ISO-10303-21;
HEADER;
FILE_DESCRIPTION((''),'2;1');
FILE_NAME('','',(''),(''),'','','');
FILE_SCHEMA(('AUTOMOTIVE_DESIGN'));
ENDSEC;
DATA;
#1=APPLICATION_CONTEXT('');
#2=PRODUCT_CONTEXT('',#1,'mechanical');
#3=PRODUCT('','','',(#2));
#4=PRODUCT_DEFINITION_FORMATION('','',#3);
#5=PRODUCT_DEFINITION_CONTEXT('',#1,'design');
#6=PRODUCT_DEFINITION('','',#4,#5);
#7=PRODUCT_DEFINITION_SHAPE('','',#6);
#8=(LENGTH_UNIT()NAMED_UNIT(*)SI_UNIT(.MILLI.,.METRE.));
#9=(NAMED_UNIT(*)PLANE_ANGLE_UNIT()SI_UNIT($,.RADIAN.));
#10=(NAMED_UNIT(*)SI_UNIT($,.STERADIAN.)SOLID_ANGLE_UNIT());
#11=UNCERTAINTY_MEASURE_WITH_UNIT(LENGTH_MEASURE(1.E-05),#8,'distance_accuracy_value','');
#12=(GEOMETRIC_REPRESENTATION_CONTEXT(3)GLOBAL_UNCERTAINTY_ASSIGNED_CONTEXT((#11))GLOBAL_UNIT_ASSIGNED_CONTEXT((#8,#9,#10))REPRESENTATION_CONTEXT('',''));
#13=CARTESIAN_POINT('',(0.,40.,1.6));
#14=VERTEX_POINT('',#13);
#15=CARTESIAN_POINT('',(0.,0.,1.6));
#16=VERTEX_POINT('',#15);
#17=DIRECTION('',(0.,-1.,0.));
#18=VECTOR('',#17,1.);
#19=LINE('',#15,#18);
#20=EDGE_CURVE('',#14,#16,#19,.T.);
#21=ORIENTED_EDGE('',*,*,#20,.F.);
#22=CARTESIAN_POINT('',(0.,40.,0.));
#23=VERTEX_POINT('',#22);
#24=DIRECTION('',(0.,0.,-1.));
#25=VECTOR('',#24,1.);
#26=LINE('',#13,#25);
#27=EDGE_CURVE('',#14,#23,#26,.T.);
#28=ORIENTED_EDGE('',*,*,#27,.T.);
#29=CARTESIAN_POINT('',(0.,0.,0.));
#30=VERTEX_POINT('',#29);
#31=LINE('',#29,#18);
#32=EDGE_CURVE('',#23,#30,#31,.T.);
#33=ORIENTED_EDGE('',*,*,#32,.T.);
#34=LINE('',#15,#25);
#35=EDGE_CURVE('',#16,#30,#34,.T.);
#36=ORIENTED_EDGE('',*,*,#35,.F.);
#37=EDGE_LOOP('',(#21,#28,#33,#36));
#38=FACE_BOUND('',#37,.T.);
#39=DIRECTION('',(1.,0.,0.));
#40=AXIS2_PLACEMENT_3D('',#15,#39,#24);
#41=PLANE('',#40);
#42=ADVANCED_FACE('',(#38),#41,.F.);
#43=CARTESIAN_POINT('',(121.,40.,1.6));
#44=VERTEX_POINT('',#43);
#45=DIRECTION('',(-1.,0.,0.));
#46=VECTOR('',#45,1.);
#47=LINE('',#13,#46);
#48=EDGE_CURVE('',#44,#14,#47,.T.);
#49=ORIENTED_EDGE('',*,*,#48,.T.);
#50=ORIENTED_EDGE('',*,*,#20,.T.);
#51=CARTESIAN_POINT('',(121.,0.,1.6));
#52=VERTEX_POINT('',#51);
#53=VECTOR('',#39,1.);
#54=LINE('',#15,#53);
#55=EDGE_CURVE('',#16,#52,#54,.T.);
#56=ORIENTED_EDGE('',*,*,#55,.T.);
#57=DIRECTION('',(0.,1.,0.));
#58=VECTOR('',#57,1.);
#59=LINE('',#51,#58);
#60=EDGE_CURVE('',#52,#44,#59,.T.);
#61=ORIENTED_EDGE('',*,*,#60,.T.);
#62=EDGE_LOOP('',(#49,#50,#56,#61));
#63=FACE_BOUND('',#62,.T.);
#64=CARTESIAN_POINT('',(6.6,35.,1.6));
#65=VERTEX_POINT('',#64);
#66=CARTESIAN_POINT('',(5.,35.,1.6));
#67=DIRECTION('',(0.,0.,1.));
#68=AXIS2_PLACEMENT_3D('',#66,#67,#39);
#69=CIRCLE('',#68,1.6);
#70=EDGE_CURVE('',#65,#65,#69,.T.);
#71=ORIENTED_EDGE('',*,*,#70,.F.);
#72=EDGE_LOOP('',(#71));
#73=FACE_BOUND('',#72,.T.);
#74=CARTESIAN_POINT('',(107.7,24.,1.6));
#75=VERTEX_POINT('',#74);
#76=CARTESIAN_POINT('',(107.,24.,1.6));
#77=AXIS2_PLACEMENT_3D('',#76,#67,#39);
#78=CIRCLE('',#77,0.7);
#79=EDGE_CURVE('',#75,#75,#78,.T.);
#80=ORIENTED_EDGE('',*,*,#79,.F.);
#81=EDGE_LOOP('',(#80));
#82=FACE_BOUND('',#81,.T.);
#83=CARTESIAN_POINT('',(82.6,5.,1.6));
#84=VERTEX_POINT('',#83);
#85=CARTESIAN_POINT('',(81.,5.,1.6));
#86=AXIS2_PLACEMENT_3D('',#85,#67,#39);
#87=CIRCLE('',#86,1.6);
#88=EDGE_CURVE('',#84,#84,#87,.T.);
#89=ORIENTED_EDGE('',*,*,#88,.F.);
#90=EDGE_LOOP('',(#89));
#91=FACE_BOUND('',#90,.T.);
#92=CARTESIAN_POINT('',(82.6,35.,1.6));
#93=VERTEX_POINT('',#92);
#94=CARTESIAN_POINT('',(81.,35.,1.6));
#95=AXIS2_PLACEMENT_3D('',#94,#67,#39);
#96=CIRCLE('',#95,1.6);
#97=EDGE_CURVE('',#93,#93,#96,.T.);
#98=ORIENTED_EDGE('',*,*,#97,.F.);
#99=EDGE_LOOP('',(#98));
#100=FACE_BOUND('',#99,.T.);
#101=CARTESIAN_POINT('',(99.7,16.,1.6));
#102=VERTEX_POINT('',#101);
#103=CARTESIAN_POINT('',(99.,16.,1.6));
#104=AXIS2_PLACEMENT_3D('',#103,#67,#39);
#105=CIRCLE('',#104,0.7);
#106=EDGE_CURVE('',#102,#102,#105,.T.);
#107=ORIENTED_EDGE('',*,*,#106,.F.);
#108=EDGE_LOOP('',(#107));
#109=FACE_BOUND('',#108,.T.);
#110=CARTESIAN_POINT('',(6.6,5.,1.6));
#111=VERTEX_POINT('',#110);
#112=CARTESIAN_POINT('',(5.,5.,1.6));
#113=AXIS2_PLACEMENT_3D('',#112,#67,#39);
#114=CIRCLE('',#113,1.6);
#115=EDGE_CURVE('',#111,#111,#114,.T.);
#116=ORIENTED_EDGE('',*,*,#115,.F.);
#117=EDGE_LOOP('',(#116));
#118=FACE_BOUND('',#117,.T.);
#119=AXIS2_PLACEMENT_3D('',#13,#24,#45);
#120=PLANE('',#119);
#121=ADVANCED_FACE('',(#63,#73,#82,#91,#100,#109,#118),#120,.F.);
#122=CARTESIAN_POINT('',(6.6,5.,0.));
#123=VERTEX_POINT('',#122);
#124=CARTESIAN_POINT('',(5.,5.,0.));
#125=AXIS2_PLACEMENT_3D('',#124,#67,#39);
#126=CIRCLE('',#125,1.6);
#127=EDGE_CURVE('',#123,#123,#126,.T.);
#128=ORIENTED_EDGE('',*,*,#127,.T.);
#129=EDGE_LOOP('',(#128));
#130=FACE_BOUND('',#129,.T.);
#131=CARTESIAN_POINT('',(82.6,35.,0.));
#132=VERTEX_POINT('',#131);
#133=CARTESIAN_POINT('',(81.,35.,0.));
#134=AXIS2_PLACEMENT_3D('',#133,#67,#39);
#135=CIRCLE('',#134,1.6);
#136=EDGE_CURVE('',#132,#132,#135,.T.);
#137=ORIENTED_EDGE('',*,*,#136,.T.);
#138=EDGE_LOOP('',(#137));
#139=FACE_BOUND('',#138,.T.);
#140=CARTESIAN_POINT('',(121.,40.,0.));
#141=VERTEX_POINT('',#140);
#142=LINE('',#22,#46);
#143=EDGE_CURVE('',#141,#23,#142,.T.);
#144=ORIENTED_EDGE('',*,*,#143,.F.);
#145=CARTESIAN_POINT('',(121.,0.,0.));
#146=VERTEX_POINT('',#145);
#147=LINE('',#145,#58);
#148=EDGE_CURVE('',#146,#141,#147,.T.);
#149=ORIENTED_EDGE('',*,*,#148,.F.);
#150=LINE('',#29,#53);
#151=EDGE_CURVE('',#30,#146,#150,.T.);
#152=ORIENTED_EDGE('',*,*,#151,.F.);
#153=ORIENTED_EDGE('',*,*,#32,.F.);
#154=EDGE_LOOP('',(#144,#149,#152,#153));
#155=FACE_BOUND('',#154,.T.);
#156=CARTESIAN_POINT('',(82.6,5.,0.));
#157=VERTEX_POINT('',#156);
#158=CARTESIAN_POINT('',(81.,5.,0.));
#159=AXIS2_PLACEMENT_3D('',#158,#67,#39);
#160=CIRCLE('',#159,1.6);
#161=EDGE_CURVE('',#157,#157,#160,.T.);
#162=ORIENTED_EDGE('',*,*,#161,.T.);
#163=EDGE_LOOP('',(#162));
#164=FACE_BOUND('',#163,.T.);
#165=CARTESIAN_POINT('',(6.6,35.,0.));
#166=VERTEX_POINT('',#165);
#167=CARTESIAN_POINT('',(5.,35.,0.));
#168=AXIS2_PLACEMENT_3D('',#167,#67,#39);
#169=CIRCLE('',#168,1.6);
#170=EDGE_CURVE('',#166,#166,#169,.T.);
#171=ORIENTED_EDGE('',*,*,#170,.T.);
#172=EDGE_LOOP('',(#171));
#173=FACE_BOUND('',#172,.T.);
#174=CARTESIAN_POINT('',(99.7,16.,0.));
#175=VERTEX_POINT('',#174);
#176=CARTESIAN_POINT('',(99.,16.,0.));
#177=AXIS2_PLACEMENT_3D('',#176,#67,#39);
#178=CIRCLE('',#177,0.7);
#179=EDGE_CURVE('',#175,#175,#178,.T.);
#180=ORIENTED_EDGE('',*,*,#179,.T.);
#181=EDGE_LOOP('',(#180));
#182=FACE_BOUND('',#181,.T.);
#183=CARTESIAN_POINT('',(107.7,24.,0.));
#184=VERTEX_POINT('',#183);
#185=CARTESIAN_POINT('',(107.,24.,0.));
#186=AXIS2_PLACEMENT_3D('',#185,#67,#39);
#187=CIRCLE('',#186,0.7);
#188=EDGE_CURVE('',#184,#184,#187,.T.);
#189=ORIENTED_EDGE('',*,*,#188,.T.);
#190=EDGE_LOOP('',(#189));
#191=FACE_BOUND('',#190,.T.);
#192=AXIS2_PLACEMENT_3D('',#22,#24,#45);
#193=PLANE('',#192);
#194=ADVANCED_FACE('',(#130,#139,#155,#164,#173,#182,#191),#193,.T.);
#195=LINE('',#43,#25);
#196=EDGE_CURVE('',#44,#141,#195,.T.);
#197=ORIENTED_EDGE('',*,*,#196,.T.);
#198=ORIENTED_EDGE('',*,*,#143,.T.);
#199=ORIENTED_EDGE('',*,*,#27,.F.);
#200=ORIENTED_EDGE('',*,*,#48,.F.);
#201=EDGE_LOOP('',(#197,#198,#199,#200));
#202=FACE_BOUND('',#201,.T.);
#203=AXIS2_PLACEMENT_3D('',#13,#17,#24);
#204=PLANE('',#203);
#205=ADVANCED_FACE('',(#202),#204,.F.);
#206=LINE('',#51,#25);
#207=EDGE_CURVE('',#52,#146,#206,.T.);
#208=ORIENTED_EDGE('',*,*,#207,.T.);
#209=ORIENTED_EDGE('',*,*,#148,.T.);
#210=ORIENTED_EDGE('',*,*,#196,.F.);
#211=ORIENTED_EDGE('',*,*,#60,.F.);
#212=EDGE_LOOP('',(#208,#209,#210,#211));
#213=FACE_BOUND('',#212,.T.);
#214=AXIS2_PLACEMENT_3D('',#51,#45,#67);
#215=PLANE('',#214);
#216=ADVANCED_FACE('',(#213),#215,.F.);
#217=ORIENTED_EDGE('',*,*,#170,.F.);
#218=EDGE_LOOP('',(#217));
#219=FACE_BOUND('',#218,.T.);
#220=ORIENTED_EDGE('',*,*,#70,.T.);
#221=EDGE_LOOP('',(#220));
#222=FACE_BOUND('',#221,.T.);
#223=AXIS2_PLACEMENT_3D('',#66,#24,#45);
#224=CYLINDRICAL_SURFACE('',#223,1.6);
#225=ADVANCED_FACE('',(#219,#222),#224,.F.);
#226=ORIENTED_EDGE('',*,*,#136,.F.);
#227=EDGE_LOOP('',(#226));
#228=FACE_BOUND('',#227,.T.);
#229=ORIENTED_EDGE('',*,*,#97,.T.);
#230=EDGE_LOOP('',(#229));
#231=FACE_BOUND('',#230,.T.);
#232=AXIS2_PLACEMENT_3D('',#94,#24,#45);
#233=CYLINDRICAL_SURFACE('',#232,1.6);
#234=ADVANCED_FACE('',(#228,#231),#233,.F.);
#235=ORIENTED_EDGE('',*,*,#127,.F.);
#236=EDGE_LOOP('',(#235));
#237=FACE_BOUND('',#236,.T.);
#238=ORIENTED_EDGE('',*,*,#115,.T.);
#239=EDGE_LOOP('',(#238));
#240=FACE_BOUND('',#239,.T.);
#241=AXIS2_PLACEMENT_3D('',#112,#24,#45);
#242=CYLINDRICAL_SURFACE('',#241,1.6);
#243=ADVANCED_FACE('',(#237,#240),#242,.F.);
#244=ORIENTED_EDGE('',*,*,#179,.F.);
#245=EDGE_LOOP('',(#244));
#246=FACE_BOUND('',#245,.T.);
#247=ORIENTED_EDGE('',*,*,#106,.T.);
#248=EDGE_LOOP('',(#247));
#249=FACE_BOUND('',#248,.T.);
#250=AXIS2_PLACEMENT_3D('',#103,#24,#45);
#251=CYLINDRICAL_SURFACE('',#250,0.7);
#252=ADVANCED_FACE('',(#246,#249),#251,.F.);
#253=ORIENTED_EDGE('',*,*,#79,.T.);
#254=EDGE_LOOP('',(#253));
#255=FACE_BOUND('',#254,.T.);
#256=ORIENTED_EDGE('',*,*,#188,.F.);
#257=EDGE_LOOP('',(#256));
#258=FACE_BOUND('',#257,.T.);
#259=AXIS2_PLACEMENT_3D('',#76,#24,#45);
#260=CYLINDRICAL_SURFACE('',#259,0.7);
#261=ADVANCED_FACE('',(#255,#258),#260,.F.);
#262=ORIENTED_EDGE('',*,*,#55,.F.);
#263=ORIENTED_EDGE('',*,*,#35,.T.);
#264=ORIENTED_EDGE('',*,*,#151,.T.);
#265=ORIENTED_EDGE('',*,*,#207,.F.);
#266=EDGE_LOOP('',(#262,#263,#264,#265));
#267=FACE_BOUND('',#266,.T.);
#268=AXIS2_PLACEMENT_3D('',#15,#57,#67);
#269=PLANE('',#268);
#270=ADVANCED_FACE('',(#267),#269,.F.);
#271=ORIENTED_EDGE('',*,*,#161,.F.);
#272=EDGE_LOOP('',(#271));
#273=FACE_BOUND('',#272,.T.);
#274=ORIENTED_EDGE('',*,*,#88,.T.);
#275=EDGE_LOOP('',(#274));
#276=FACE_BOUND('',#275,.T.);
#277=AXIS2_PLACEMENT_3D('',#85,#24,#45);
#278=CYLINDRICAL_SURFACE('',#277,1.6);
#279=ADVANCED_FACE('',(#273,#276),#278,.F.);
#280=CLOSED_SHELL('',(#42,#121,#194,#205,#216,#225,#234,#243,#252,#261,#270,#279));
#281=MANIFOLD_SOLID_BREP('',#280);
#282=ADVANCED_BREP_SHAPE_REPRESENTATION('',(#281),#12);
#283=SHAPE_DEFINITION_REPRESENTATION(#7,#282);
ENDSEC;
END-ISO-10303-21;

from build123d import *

# Parameters (mm, degrees)
ESQUISSE1_W        = 121
ESQUISSE1_H        = 40
ESQUISSE1_R        = 1.6
ESQUISSE1_R_2      = 0.7
BOSS_EXTRU_1_DEPTH = 1.6


with BuildPart() as part:
    # Esquisse1 → Boss.-Extru.1 (new body)
    with BuildSketch(Plane.XY):
        with Locations((60.5, 20)):
            Rectangle(ESQUISSE1_W, ESQUISSE1_H)
        with Locations((5, 35)):
            Circle(ESQUISSE1_R, mode=Mode.SUBTRACT)
        with Locations((5, 5)):
            Circle(ESQUISSE1_R, mode=Mode.SUBTRACT)
        with Locations((81, 5)):
            Circle(ESQUISSE1_R, mode=Mode.SUBTRACT)
        with Locations((81, 35)):
            Circle(ESQUISSE1_R, mode=Mode.SUBTRACT)
        with Locations((107, 24)):
            Circle(ESQUISSE1_R_2, mode=Mode.SUBTRACT)
        with Locations((99, 16)):
            Circle(ESQUISSE1_R_2, mode=Mode.SUBTRACT)
    extrude(amount=BOSS_EXTRU_1_DEPTH)


solid = part.part
